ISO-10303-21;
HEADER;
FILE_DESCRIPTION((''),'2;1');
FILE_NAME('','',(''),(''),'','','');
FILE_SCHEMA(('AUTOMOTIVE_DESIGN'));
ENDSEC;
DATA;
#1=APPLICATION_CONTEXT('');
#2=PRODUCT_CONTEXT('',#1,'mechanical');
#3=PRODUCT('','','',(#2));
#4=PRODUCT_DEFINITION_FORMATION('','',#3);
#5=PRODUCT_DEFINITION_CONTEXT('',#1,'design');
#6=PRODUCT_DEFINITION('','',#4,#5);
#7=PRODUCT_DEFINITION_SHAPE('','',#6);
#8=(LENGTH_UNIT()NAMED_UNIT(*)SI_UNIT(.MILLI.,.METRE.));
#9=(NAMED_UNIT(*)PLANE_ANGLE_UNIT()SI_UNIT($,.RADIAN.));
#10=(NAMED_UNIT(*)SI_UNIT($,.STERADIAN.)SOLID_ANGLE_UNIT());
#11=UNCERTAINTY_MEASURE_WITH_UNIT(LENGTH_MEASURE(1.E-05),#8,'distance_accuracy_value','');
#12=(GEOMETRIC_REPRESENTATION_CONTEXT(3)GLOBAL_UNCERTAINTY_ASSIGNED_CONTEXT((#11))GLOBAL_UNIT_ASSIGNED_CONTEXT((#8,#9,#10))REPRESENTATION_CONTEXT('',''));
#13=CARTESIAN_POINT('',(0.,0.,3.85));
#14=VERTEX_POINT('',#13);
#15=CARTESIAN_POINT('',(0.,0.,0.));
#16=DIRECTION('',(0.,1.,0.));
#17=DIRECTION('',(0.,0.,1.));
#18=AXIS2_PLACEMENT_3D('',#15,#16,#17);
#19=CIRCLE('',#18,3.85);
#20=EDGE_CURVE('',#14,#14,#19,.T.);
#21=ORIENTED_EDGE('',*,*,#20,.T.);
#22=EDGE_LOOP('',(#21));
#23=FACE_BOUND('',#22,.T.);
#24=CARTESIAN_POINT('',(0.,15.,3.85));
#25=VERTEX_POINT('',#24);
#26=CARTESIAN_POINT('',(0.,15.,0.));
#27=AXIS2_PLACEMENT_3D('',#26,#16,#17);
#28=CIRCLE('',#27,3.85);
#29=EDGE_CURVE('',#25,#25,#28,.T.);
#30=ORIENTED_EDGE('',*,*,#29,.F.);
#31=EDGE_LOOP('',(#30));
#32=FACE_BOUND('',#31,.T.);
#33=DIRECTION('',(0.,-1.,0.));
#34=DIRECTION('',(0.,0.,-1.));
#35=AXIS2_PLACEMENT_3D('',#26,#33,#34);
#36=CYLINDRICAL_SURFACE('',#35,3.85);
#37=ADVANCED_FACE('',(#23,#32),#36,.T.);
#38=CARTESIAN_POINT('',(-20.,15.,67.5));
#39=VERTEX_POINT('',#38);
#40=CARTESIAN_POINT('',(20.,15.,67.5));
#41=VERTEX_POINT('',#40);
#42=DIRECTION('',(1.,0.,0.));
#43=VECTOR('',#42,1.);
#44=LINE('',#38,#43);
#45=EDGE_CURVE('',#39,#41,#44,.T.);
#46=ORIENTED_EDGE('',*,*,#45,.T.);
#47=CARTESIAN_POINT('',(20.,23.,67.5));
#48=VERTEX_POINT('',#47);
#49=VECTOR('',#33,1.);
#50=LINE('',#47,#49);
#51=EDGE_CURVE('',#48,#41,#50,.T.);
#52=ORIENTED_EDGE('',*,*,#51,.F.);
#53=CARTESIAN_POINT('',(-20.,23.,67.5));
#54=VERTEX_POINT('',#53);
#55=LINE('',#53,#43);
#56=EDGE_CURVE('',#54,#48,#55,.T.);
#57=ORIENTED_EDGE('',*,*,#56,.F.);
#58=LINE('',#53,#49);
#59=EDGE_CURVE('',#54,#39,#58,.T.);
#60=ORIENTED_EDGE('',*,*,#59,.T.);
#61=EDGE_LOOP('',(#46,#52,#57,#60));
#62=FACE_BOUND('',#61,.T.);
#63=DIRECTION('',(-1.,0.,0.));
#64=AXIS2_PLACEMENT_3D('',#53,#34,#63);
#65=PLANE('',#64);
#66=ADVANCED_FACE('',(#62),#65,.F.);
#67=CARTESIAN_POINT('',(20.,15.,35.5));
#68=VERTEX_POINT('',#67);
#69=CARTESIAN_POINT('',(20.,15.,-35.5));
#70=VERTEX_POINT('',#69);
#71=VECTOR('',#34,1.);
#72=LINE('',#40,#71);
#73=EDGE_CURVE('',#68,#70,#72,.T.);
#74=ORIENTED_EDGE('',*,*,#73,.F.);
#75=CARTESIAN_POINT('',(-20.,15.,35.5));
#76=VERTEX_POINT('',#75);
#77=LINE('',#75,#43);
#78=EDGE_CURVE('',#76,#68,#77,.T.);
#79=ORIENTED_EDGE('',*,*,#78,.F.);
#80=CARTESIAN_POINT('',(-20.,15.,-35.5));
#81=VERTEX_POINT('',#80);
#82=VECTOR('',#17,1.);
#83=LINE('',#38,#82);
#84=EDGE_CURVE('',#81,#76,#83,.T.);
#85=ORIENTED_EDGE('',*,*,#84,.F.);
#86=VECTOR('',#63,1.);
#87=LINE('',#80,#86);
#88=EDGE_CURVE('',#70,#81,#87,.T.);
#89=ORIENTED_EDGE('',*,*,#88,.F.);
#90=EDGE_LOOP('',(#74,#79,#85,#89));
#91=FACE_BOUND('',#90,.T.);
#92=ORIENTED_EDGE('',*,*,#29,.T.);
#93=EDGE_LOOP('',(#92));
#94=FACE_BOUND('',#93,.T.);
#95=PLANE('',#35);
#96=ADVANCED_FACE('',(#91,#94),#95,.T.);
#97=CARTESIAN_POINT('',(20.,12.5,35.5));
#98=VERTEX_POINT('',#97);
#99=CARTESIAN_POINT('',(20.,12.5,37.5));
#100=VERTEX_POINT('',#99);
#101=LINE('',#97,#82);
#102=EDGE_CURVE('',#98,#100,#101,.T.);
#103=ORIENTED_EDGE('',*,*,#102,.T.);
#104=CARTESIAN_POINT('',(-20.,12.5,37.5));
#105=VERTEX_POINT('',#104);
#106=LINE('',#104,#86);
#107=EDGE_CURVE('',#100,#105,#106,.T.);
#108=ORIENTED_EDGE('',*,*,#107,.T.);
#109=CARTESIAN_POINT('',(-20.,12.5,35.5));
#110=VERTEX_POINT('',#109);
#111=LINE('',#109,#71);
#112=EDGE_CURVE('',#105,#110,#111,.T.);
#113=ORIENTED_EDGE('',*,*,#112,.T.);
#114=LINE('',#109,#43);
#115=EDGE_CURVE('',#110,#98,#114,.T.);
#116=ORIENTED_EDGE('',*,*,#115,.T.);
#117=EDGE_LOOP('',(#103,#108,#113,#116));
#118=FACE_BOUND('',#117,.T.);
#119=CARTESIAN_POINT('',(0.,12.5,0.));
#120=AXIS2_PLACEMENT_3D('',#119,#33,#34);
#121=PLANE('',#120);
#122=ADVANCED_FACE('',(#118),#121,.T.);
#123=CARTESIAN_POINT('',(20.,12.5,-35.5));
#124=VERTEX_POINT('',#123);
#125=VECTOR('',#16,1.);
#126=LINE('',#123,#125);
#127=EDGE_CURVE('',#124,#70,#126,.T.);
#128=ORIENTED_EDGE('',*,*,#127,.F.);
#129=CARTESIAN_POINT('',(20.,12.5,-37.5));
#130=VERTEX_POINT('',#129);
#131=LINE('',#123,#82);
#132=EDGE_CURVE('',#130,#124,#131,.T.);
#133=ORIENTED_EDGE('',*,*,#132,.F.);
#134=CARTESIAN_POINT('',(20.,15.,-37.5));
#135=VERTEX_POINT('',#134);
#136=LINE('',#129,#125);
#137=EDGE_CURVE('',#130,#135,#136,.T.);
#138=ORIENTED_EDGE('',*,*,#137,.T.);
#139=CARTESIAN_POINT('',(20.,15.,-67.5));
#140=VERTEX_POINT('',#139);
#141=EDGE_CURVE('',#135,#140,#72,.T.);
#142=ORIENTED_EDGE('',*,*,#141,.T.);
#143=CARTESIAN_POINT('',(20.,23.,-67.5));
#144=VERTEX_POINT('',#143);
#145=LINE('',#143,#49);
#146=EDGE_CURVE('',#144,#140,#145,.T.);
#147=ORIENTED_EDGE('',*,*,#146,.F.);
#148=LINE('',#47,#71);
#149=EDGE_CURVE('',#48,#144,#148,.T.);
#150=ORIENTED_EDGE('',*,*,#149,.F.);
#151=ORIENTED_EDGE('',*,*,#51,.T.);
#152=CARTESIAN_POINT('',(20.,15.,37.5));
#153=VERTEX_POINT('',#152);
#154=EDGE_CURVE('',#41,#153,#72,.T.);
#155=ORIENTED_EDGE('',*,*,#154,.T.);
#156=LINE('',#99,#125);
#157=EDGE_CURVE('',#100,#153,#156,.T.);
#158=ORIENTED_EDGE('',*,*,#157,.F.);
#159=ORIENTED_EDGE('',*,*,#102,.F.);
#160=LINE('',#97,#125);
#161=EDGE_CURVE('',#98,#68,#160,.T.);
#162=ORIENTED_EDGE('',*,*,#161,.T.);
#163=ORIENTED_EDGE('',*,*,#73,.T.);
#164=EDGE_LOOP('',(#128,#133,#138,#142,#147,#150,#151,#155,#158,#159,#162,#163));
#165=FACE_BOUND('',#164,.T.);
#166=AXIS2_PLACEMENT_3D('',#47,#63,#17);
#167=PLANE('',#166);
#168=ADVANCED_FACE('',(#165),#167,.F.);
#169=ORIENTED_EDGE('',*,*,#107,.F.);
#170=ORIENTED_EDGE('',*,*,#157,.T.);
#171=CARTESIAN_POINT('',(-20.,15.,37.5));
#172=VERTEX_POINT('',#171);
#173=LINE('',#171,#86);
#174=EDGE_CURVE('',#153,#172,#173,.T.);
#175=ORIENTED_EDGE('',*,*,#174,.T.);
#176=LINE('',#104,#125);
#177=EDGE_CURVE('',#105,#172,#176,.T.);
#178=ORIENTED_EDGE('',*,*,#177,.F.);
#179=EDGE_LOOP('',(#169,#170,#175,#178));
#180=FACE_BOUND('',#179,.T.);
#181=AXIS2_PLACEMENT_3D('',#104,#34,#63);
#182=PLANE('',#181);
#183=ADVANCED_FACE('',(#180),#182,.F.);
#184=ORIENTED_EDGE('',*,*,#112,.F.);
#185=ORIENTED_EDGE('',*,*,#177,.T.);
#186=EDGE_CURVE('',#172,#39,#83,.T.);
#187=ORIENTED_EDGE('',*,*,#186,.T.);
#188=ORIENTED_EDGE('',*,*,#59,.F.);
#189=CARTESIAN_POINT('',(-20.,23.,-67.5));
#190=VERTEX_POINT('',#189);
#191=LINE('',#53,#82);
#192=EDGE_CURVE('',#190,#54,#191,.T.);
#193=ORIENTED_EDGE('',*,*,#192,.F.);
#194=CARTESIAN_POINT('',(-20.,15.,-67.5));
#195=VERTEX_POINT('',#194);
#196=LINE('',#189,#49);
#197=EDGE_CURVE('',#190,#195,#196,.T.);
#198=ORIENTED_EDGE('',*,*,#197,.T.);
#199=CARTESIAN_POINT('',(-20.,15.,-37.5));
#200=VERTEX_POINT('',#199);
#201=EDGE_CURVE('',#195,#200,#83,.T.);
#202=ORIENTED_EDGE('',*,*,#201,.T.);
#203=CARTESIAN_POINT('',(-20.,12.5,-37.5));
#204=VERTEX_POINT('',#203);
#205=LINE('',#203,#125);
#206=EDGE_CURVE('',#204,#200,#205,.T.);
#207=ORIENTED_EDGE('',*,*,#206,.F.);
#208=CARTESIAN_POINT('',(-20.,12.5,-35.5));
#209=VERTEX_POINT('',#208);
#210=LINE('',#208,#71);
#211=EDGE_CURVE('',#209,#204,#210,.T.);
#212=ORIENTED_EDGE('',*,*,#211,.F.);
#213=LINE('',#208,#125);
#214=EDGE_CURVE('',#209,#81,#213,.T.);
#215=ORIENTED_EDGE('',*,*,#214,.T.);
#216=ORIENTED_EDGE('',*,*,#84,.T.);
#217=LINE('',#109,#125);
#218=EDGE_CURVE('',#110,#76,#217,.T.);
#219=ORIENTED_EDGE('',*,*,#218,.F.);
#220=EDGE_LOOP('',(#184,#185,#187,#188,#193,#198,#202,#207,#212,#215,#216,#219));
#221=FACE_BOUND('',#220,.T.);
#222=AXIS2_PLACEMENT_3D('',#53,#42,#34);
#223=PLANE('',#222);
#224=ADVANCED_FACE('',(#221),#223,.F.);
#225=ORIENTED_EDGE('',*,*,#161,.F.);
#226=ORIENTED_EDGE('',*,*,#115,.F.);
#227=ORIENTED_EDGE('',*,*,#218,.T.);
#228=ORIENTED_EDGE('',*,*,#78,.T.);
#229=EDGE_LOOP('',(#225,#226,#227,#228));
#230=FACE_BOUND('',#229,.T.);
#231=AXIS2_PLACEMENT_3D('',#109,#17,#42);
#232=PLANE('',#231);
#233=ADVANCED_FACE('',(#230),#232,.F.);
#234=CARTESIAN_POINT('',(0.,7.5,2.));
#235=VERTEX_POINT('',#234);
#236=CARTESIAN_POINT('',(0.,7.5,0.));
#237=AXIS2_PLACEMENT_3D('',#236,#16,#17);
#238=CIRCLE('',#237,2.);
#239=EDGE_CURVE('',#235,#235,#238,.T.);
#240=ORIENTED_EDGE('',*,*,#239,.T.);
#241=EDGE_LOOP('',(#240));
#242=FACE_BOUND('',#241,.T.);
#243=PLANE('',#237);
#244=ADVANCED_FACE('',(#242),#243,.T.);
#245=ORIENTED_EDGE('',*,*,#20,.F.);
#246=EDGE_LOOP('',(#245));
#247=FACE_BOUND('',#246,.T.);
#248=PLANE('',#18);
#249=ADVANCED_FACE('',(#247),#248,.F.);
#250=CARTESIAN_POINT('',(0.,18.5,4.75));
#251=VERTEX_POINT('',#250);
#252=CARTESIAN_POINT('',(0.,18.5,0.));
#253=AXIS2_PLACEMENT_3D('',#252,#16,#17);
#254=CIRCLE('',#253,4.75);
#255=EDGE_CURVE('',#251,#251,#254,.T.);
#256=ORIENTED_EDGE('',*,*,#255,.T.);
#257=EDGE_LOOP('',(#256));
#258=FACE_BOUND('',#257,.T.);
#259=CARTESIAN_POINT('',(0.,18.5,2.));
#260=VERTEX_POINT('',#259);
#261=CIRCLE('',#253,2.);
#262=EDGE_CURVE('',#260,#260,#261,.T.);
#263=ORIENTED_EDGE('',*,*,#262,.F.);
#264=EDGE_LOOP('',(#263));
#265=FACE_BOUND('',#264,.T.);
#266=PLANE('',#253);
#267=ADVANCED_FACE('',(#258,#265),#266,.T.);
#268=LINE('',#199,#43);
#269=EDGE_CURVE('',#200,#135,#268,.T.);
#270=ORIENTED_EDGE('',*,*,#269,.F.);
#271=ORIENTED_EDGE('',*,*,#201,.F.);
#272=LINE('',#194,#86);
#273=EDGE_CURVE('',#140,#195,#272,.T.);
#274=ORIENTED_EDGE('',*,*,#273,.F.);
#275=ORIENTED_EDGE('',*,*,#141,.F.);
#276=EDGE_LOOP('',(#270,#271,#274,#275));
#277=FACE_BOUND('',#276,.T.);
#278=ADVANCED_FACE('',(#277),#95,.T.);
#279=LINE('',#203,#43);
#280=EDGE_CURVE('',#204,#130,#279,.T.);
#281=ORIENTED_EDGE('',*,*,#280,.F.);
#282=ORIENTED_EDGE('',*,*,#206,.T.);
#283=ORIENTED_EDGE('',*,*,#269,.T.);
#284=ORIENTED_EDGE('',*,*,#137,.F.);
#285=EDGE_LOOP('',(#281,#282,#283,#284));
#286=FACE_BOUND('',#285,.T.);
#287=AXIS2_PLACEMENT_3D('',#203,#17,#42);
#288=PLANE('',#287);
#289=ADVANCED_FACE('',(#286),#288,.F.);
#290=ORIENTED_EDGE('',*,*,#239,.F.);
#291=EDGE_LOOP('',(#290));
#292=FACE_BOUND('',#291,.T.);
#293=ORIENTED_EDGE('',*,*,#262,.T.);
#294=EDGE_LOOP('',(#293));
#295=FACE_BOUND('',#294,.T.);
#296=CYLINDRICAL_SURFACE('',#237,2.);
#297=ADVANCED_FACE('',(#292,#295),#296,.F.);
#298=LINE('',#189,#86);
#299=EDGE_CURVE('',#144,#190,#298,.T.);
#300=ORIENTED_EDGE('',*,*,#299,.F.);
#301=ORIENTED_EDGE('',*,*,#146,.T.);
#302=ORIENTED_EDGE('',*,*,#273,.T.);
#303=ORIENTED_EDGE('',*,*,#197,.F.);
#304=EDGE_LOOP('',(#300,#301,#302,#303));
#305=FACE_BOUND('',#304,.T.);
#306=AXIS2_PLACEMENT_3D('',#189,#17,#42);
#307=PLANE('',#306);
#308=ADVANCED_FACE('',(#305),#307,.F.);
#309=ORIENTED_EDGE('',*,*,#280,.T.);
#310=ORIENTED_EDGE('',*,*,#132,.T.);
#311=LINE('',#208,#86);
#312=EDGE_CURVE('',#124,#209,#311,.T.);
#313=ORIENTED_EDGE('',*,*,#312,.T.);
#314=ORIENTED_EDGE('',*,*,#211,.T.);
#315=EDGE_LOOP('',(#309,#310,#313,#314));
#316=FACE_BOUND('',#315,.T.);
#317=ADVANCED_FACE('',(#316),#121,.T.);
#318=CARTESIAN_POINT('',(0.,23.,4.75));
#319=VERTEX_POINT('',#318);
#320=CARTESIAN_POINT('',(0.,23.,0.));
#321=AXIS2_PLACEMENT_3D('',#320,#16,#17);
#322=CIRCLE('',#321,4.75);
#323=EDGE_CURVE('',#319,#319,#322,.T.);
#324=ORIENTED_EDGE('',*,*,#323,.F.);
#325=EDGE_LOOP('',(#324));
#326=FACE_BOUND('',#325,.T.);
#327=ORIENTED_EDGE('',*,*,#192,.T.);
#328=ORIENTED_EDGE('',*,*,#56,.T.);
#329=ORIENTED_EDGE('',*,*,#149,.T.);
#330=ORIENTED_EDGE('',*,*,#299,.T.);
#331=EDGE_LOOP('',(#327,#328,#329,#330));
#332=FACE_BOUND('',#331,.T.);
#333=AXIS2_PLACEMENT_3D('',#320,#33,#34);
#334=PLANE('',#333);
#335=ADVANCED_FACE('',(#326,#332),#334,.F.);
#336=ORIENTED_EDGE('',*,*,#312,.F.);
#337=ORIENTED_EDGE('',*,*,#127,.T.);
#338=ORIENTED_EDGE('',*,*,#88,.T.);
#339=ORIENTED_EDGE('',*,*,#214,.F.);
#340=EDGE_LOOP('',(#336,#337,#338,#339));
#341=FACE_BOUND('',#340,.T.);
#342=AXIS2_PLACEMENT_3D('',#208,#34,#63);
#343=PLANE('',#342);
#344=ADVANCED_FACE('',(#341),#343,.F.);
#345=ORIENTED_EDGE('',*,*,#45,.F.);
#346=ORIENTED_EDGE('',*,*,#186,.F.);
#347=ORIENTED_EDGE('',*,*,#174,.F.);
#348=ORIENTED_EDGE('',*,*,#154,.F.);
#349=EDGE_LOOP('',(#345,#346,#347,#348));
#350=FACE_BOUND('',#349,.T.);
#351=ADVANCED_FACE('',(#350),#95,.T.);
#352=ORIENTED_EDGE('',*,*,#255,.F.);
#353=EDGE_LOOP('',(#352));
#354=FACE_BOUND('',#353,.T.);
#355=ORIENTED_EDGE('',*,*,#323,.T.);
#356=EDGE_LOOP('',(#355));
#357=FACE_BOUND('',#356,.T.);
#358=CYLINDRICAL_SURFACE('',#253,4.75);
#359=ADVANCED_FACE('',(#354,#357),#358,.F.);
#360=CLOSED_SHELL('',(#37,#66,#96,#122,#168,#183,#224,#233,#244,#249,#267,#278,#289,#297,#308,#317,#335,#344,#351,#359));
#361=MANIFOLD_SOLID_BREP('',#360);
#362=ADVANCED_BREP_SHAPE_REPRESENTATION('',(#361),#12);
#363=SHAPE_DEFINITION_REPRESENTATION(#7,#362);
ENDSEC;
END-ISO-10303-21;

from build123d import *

# Parameters (mm, degrees)
SKETCH1_R           = 3.85
BOSS_EXTRUDE1_DEPTH = 15
SKETCH2_W           = 40
SKETCH2_H           = 135
BOSS_EXTRUDE3_DEPTH = 8
SKETCH3_W           = 40
SKETCH3_H           = 2
BOSS_EXTRUDE4_DEPTH = 2.5
SKETCH4_R           = 4.75
CUT_EXTRUDE1_DEPTH  = 4.5
SKETCH5_R           = 2
CUT_EXTRUDE2_DEPTH  = 11


with BuildPart() as part:
    # Sketch1 → Boss-Extrude1 (new body)
    with BuildSketch(Plane(origin=(0, 0, 0), x_dir=(1, 0, 0), z_dir=(0, 1, 0))):
        with Locations(Location((0, 0, 0), (0, 0, 270))):
            Circle(SKETCH1_R)
    extrude(amount=BOSS_EXTRUDE1_DEPTH)

    # Sketch2 → Boss-Extrude3 (add)
    with BuildSketch(Plane(origin=(0, 15, 0), x_dir=(1, 0, 0), z_dir=(0, 1, 0))):
        Rectangle(SKETCH2_W, SKETCH2_H)
    extrude(amount=BOSS_EXTRUDE3_DEPTH)

    # Sketch3 → Boss-Extrude4 (add)
    with BuildSketch(Plane.XZ.offset(-15)):
        with Locations((0, -36.5)):
            Rectangle(SKETCH3_W, SKETCH3_H)
        with Locations((0, 36.5)):
            Rectangle(SKETCH3_W, SKETCH3_H)
    extrude(amount=BOSS_EXTRUDE4_DEPTH)

    # Sketch4 → Cut-Extrude1 (cut)
    with BuildSketch(Plane(origin=(0, 23, 0), x_dir=(1, 0, 0), z_dir=(0, 1, 0))):
        with Locations(Location((0, 0, 0), (0, 0, 270))):
            Circle(SKETCH4_R)
    extrude(amount=-CUT_EXTRUDE1_DEPTH, mode=Mode.SUBTRACT)

    # Sketch5 → Cut-Extrude2 (cut)
    with BuildSketch(Plane(origin=(0, 18.5, 0), x_dir=(1, 0, 0), z_dir=(0, 1, 0))):
        with Locations(Location((0, 0, 0), (0, 0, 270))):
            Circle(SKETCH5_R)
    extrude(amount=-CUT_EXTRUDE2_DEPTH, mode=Mode.SUBTRACT)


solid = part.part
